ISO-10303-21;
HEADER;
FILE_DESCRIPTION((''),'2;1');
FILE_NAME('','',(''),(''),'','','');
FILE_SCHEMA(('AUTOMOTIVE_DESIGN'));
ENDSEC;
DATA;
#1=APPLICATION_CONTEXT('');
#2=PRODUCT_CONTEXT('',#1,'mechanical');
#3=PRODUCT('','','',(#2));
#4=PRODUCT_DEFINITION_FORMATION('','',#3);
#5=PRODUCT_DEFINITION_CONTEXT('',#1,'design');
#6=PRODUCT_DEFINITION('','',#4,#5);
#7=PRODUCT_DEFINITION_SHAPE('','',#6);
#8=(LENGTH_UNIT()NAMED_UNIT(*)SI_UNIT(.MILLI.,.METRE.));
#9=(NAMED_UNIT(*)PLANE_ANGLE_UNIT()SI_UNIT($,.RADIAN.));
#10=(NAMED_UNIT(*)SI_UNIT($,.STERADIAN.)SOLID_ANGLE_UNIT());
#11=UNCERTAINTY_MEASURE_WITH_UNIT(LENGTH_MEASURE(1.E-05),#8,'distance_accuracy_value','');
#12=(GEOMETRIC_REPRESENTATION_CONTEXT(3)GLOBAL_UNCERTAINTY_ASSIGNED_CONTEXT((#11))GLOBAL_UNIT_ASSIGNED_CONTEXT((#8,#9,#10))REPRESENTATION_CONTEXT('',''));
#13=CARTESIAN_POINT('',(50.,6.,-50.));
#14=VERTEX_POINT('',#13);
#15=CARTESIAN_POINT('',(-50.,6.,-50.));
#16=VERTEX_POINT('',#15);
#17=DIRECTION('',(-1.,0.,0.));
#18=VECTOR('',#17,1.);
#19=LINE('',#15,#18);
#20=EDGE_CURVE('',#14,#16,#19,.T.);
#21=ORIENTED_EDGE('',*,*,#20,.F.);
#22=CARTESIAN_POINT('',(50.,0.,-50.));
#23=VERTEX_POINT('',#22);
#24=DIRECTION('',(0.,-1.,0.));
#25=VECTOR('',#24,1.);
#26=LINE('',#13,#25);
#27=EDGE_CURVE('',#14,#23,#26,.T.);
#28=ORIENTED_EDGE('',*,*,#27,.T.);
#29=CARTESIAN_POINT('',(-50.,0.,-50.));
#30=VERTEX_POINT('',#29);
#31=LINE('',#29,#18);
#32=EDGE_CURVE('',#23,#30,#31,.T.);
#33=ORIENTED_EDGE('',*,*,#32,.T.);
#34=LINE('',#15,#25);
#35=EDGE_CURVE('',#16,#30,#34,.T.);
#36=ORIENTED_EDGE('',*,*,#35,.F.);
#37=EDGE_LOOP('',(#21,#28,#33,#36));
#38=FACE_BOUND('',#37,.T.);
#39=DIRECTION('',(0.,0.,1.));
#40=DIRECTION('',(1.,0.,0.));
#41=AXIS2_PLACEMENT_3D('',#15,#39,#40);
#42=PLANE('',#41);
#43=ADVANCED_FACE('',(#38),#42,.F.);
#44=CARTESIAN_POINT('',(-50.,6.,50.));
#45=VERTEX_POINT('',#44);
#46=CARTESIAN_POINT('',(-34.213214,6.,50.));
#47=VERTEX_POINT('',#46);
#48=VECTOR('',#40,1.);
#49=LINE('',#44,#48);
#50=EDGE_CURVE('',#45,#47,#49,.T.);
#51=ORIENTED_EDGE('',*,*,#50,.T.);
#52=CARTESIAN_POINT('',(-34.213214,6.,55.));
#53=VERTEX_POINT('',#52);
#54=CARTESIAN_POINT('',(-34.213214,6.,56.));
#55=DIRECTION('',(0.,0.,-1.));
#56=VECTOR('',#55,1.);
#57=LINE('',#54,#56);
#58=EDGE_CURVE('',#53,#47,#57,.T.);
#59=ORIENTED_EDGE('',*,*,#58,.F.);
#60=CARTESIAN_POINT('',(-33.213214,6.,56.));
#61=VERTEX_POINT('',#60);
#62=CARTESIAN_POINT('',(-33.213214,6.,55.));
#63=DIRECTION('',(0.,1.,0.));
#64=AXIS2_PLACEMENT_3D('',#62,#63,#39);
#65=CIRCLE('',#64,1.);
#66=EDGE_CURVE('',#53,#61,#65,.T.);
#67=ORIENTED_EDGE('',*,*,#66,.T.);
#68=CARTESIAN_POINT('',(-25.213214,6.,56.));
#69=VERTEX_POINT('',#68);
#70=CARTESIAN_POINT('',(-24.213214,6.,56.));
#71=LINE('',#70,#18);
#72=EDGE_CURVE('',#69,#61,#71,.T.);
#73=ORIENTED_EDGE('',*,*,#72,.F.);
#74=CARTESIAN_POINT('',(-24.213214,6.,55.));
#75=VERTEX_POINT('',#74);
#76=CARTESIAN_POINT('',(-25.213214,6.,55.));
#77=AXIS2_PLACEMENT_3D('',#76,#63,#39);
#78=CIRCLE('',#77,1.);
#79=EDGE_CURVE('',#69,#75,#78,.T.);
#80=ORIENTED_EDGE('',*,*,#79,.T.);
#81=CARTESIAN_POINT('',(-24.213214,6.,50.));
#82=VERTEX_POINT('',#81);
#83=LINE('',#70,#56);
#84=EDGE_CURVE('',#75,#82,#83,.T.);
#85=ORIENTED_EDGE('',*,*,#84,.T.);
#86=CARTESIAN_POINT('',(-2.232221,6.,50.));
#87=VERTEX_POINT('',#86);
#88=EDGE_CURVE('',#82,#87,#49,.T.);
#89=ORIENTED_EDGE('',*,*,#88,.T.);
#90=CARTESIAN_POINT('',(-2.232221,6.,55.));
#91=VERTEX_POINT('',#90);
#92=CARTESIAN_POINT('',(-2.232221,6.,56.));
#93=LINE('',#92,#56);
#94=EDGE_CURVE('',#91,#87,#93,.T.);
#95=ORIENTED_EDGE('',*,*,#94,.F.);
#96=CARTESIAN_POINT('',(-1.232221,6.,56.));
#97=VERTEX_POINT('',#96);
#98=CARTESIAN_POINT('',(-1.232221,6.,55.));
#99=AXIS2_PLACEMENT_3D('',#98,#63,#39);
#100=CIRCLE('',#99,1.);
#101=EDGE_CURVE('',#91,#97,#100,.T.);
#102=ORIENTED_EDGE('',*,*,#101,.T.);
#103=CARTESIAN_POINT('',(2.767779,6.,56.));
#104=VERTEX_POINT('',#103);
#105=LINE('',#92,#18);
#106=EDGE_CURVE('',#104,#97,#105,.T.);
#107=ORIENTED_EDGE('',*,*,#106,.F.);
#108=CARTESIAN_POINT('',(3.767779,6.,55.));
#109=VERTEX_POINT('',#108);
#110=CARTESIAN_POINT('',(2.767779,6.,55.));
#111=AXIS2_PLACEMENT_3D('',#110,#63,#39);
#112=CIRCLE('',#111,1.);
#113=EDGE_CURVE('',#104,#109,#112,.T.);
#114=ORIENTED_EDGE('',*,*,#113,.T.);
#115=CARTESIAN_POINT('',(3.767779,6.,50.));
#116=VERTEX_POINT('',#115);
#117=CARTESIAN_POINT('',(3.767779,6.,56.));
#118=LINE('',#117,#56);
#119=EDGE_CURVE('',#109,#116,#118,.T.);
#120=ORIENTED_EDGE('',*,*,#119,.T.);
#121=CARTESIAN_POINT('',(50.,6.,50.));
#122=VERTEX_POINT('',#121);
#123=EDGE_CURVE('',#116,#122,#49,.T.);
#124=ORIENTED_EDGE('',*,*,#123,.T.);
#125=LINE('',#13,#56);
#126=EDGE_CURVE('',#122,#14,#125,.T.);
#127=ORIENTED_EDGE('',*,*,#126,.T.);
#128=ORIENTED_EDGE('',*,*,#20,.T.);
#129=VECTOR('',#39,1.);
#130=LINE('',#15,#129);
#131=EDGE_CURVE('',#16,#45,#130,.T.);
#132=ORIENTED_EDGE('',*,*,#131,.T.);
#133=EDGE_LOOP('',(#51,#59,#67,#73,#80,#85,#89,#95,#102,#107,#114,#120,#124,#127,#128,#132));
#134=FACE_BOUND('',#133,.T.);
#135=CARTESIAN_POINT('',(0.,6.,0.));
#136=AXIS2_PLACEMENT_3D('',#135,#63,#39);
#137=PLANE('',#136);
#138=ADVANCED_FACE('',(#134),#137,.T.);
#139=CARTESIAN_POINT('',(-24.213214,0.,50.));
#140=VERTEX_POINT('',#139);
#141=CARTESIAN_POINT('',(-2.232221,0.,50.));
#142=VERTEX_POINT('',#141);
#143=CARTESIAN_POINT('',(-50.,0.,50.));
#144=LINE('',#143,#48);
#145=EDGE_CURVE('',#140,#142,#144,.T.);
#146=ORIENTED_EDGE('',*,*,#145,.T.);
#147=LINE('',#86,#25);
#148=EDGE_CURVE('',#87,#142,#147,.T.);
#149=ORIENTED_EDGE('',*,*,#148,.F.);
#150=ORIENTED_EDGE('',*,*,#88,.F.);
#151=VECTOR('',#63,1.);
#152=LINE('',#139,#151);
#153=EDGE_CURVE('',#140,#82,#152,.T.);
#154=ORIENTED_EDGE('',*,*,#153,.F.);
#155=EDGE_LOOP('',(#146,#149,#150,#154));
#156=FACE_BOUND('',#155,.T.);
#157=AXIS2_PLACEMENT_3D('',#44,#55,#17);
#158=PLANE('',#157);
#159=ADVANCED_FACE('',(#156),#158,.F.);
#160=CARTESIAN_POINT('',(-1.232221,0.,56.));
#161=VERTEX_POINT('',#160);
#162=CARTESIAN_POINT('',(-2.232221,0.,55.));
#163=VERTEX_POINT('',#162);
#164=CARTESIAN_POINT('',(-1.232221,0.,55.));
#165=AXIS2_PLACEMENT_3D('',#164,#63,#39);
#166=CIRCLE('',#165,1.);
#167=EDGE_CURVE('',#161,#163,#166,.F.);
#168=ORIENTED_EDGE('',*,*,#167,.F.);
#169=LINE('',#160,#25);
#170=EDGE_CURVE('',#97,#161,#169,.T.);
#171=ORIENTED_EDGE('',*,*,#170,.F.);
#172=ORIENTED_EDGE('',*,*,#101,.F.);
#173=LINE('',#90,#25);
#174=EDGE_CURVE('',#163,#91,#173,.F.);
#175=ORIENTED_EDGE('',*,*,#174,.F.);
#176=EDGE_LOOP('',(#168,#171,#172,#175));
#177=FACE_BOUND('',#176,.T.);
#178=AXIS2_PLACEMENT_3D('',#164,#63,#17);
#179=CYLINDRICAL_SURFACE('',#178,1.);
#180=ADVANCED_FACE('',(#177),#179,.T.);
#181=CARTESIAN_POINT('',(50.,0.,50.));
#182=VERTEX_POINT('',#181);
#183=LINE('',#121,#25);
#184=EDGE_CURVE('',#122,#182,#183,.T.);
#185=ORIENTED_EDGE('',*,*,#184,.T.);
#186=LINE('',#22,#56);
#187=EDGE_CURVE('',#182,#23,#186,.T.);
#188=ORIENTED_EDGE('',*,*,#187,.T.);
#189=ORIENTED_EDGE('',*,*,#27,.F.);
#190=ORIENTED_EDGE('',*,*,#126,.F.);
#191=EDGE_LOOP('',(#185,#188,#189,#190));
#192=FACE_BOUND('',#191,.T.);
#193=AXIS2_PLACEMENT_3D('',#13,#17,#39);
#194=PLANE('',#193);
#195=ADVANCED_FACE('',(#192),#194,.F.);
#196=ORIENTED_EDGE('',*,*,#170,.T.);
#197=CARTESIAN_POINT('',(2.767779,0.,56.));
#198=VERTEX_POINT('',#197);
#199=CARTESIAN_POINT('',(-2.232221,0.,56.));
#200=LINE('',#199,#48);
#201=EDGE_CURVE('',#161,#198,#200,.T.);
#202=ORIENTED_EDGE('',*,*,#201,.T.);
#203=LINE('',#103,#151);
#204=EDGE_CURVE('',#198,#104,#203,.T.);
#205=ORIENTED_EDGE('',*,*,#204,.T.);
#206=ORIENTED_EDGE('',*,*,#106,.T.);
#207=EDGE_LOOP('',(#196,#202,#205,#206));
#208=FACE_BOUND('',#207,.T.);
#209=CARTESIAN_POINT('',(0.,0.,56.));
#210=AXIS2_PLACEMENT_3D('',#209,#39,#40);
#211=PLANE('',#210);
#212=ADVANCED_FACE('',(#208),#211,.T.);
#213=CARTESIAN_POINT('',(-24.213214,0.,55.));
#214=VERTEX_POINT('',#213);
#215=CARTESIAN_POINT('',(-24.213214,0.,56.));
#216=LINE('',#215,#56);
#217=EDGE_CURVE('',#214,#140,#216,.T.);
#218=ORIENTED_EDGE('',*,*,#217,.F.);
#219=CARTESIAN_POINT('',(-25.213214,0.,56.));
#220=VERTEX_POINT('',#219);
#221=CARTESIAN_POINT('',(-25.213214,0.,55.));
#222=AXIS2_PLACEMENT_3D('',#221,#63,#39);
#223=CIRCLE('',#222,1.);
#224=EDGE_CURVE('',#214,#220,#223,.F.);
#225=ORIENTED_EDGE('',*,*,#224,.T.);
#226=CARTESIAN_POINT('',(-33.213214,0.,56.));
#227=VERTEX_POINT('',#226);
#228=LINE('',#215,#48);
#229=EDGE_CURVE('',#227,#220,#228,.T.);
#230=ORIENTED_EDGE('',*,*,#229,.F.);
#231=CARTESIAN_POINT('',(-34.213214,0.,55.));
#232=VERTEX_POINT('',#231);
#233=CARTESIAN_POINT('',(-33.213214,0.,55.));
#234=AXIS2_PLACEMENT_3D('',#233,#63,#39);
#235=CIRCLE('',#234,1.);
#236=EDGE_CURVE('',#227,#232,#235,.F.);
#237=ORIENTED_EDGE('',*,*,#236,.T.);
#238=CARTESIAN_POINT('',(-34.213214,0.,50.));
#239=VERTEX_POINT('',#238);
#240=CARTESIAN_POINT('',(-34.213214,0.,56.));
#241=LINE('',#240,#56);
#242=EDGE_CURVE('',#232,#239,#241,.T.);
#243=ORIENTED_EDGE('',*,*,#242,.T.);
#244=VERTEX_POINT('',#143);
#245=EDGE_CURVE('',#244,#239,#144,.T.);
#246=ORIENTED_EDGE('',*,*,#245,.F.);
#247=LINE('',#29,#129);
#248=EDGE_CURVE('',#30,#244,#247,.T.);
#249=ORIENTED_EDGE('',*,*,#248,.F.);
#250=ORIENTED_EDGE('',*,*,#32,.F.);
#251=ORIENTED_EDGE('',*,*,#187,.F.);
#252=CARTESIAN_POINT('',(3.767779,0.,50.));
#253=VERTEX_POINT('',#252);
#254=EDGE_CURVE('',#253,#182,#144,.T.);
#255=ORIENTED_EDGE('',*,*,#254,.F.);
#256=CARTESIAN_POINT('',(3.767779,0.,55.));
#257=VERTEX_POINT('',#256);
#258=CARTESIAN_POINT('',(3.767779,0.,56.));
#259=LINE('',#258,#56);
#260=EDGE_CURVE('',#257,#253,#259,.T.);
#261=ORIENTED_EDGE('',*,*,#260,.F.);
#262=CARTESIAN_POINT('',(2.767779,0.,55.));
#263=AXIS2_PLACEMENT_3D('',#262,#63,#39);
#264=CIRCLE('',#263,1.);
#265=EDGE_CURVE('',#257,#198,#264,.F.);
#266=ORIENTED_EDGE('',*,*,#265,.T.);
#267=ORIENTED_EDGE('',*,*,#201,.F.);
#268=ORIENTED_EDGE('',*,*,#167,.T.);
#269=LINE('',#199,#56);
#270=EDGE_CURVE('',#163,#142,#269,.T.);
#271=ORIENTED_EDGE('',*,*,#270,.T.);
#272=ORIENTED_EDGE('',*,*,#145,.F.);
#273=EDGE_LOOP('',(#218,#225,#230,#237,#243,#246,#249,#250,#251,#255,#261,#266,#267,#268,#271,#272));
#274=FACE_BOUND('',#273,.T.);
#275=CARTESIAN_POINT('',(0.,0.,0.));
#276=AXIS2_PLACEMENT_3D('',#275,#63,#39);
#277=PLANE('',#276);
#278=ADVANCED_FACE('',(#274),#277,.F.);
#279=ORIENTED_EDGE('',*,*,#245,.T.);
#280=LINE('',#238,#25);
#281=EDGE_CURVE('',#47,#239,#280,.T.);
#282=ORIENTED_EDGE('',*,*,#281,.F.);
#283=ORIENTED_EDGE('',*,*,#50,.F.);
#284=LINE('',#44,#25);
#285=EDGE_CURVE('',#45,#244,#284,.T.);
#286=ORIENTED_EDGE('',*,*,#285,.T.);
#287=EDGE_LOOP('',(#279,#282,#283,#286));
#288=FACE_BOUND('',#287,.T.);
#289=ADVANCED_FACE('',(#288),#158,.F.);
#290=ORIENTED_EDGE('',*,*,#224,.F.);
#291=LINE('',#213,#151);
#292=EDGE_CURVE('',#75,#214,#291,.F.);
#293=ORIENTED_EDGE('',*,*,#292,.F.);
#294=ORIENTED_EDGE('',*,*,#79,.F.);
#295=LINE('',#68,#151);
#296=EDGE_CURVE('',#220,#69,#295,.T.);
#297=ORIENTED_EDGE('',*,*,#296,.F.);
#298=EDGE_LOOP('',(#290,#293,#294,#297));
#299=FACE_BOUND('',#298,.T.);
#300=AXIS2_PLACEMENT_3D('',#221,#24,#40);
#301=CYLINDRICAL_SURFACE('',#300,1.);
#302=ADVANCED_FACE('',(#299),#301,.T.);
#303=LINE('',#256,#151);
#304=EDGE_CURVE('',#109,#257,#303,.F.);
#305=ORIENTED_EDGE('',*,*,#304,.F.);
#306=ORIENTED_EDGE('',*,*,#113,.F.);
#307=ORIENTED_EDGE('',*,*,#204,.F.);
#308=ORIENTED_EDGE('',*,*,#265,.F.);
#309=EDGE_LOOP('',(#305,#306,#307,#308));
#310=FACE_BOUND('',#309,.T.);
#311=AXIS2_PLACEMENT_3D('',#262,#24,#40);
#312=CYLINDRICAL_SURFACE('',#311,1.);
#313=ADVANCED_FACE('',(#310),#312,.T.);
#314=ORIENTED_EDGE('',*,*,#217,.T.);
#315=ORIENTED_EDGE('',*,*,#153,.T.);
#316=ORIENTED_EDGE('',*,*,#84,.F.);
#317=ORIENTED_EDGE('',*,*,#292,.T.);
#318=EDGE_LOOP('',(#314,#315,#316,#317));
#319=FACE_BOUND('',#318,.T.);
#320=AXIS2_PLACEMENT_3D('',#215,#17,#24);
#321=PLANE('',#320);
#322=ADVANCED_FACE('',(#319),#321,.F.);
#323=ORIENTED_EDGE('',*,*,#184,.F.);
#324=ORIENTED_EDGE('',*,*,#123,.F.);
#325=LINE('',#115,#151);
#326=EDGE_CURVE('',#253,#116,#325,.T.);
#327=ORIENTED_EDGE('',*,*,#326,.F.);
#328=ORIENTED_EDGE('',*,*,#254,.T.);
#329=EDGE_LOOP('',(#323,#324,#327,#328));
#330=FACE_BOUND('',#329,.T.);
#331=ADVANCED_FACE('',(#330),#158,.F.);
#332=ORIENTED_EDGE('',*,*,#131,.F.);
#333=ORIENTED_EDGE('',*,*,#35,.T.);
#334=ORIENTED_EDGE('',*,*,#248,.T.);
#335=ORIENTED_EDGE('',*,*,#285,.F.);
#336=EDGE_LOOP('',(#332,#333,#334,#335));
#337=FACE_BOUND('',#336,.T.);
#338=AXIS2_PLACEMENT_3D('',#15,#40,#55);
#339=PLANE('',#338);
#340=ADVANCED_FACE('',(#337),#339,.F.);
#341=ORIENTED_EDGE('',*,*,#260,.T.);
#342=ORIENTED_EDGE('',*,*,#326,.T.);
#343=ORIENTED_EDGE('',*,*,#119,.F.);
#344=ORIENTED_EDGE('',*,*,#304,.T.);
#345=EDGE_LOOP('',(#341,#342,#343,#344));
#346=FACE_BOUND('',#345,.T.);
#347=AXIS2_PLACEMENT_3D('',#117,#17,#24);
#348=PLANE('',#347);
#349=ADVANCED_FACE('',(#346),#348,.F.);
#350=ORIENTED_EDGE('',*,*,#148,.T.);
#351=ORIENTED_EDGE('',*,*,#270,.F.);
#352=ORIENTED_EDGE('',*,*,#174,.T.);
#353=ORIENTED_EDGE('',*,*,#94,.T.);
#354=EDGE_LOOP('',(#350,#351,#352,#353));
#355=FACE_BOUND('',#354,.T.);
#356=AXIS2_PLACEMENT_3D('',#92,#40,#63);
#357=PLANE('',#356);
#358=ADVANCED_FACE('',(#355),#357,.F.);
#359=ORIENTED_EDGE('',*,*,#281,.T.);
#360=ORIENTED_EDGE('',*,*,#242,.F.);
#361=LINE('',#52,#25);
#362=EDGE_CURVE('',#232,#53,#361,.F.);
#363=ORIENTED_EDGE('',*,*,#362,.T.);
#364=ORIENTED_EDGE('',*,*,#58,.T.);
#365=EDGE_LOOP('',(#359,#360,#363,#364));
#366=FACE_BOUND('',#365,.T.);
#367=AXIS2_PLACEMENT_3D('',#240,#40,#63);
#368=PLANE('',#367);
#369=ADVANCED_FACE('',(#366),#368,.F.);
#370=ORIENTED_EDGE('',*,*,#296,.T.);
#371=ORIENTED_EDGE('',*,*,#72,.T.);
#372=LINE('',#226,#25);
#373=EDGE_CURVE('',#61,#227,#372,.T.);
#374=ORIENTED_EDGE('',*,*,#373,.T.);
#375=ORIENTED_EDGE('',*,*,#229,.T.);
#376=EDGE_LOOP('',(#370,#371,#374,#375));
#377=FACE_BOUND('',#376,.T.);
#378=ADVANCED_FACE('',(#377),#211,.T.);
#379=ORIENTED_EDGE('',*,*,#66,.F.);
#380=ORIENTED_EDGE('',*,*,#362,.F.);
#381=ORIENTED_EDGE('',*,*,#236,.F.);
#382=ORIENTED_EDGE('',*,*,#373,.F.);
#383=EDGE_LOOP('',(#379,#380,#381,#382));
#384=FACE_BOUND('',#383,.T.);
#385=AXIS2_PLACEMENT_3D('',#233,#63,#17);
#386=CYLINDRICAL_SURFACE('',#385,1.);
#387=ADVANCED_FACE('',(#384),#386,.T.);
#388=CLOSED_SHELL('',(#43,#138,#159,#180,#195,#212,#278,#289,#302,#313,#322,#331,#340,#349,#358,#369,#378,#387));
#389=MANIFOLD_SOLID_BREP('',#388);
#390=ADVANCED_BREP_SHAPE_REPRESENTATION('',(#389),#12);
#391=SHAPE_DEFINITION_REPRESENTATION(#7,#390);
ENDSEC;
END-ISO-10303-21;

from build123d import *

# Parameters (mm, degrees)
SKETCH1_W              = 100
SKETCH1_H              = 100
BOSS_EXTRUDE1_DEPTH    = 6
SKETCH234_W            = 6
SKETCH234_H            = 6
BOSS_EXTRUDE234_DEPTH  = 6
FILLET134_R            = 1
SKETCH2342_W           = 10
SKETCH2342_H           = 6
BOSS_EXTRUDE2342_DEPTH = 6
FILLET1342_R           = 1


with BuildPart() as part:
    # Sketch1 → Boss-Extrude1 (new body)
    with BuildSketch(Plane(origin=(0, 0, 0), x_dir=(1, 0, 0), z_dir=(0, 1, 0))):
        Rectangle(SKETCH1_W, SKETCH1_H)
    extrude(amount=BOSS_EXTRUDE1_DEPTH)

    # Sketch234 → Boss-Extrude234 (add)
    with BuildSketch(Plane.XY.offset(50)):
        with Locations((0.767778608, 3)):
            Rectangle(SKETCH234_W, SKETCH234_H)
    extrude(amount=BOSS_EXTRUDE234_DEPTH)

    # Fillet134
    fillet134_edges = [part.edges().sort_by_distance(p)[0] for p in [
        (-2.232221392, 3, 56),
        (3.767778608, 3, 56),
    ]]
    fillet(fillet134_edges, radius=FILLET134_R)

    # Sketch2342 → Boss-Extrude2342 (add)
    with BuildSketch(Plane(origin=(-28.445435161, 6, 50), x_dir=(-1, 0, 0), z_dir=(0, 0, 1))):
        with Locations((0.767778608, 3)):
            Rectangle(SKETCH2342_W, SKETCH2342_H)
    extrude(amount=BOSS_EXTRUDE2342_DEPTH)

    # Fillet1342
    fillet1342_edges = [part.edges().sort_by_distance(p)[0] for p in [
        (-34.213213769, 3, 56),
        (-24.213213769, 3, 56),
    ]]
    fillet(fillet1342_edges, radius=FILLET1342_R)


solid = part.part
